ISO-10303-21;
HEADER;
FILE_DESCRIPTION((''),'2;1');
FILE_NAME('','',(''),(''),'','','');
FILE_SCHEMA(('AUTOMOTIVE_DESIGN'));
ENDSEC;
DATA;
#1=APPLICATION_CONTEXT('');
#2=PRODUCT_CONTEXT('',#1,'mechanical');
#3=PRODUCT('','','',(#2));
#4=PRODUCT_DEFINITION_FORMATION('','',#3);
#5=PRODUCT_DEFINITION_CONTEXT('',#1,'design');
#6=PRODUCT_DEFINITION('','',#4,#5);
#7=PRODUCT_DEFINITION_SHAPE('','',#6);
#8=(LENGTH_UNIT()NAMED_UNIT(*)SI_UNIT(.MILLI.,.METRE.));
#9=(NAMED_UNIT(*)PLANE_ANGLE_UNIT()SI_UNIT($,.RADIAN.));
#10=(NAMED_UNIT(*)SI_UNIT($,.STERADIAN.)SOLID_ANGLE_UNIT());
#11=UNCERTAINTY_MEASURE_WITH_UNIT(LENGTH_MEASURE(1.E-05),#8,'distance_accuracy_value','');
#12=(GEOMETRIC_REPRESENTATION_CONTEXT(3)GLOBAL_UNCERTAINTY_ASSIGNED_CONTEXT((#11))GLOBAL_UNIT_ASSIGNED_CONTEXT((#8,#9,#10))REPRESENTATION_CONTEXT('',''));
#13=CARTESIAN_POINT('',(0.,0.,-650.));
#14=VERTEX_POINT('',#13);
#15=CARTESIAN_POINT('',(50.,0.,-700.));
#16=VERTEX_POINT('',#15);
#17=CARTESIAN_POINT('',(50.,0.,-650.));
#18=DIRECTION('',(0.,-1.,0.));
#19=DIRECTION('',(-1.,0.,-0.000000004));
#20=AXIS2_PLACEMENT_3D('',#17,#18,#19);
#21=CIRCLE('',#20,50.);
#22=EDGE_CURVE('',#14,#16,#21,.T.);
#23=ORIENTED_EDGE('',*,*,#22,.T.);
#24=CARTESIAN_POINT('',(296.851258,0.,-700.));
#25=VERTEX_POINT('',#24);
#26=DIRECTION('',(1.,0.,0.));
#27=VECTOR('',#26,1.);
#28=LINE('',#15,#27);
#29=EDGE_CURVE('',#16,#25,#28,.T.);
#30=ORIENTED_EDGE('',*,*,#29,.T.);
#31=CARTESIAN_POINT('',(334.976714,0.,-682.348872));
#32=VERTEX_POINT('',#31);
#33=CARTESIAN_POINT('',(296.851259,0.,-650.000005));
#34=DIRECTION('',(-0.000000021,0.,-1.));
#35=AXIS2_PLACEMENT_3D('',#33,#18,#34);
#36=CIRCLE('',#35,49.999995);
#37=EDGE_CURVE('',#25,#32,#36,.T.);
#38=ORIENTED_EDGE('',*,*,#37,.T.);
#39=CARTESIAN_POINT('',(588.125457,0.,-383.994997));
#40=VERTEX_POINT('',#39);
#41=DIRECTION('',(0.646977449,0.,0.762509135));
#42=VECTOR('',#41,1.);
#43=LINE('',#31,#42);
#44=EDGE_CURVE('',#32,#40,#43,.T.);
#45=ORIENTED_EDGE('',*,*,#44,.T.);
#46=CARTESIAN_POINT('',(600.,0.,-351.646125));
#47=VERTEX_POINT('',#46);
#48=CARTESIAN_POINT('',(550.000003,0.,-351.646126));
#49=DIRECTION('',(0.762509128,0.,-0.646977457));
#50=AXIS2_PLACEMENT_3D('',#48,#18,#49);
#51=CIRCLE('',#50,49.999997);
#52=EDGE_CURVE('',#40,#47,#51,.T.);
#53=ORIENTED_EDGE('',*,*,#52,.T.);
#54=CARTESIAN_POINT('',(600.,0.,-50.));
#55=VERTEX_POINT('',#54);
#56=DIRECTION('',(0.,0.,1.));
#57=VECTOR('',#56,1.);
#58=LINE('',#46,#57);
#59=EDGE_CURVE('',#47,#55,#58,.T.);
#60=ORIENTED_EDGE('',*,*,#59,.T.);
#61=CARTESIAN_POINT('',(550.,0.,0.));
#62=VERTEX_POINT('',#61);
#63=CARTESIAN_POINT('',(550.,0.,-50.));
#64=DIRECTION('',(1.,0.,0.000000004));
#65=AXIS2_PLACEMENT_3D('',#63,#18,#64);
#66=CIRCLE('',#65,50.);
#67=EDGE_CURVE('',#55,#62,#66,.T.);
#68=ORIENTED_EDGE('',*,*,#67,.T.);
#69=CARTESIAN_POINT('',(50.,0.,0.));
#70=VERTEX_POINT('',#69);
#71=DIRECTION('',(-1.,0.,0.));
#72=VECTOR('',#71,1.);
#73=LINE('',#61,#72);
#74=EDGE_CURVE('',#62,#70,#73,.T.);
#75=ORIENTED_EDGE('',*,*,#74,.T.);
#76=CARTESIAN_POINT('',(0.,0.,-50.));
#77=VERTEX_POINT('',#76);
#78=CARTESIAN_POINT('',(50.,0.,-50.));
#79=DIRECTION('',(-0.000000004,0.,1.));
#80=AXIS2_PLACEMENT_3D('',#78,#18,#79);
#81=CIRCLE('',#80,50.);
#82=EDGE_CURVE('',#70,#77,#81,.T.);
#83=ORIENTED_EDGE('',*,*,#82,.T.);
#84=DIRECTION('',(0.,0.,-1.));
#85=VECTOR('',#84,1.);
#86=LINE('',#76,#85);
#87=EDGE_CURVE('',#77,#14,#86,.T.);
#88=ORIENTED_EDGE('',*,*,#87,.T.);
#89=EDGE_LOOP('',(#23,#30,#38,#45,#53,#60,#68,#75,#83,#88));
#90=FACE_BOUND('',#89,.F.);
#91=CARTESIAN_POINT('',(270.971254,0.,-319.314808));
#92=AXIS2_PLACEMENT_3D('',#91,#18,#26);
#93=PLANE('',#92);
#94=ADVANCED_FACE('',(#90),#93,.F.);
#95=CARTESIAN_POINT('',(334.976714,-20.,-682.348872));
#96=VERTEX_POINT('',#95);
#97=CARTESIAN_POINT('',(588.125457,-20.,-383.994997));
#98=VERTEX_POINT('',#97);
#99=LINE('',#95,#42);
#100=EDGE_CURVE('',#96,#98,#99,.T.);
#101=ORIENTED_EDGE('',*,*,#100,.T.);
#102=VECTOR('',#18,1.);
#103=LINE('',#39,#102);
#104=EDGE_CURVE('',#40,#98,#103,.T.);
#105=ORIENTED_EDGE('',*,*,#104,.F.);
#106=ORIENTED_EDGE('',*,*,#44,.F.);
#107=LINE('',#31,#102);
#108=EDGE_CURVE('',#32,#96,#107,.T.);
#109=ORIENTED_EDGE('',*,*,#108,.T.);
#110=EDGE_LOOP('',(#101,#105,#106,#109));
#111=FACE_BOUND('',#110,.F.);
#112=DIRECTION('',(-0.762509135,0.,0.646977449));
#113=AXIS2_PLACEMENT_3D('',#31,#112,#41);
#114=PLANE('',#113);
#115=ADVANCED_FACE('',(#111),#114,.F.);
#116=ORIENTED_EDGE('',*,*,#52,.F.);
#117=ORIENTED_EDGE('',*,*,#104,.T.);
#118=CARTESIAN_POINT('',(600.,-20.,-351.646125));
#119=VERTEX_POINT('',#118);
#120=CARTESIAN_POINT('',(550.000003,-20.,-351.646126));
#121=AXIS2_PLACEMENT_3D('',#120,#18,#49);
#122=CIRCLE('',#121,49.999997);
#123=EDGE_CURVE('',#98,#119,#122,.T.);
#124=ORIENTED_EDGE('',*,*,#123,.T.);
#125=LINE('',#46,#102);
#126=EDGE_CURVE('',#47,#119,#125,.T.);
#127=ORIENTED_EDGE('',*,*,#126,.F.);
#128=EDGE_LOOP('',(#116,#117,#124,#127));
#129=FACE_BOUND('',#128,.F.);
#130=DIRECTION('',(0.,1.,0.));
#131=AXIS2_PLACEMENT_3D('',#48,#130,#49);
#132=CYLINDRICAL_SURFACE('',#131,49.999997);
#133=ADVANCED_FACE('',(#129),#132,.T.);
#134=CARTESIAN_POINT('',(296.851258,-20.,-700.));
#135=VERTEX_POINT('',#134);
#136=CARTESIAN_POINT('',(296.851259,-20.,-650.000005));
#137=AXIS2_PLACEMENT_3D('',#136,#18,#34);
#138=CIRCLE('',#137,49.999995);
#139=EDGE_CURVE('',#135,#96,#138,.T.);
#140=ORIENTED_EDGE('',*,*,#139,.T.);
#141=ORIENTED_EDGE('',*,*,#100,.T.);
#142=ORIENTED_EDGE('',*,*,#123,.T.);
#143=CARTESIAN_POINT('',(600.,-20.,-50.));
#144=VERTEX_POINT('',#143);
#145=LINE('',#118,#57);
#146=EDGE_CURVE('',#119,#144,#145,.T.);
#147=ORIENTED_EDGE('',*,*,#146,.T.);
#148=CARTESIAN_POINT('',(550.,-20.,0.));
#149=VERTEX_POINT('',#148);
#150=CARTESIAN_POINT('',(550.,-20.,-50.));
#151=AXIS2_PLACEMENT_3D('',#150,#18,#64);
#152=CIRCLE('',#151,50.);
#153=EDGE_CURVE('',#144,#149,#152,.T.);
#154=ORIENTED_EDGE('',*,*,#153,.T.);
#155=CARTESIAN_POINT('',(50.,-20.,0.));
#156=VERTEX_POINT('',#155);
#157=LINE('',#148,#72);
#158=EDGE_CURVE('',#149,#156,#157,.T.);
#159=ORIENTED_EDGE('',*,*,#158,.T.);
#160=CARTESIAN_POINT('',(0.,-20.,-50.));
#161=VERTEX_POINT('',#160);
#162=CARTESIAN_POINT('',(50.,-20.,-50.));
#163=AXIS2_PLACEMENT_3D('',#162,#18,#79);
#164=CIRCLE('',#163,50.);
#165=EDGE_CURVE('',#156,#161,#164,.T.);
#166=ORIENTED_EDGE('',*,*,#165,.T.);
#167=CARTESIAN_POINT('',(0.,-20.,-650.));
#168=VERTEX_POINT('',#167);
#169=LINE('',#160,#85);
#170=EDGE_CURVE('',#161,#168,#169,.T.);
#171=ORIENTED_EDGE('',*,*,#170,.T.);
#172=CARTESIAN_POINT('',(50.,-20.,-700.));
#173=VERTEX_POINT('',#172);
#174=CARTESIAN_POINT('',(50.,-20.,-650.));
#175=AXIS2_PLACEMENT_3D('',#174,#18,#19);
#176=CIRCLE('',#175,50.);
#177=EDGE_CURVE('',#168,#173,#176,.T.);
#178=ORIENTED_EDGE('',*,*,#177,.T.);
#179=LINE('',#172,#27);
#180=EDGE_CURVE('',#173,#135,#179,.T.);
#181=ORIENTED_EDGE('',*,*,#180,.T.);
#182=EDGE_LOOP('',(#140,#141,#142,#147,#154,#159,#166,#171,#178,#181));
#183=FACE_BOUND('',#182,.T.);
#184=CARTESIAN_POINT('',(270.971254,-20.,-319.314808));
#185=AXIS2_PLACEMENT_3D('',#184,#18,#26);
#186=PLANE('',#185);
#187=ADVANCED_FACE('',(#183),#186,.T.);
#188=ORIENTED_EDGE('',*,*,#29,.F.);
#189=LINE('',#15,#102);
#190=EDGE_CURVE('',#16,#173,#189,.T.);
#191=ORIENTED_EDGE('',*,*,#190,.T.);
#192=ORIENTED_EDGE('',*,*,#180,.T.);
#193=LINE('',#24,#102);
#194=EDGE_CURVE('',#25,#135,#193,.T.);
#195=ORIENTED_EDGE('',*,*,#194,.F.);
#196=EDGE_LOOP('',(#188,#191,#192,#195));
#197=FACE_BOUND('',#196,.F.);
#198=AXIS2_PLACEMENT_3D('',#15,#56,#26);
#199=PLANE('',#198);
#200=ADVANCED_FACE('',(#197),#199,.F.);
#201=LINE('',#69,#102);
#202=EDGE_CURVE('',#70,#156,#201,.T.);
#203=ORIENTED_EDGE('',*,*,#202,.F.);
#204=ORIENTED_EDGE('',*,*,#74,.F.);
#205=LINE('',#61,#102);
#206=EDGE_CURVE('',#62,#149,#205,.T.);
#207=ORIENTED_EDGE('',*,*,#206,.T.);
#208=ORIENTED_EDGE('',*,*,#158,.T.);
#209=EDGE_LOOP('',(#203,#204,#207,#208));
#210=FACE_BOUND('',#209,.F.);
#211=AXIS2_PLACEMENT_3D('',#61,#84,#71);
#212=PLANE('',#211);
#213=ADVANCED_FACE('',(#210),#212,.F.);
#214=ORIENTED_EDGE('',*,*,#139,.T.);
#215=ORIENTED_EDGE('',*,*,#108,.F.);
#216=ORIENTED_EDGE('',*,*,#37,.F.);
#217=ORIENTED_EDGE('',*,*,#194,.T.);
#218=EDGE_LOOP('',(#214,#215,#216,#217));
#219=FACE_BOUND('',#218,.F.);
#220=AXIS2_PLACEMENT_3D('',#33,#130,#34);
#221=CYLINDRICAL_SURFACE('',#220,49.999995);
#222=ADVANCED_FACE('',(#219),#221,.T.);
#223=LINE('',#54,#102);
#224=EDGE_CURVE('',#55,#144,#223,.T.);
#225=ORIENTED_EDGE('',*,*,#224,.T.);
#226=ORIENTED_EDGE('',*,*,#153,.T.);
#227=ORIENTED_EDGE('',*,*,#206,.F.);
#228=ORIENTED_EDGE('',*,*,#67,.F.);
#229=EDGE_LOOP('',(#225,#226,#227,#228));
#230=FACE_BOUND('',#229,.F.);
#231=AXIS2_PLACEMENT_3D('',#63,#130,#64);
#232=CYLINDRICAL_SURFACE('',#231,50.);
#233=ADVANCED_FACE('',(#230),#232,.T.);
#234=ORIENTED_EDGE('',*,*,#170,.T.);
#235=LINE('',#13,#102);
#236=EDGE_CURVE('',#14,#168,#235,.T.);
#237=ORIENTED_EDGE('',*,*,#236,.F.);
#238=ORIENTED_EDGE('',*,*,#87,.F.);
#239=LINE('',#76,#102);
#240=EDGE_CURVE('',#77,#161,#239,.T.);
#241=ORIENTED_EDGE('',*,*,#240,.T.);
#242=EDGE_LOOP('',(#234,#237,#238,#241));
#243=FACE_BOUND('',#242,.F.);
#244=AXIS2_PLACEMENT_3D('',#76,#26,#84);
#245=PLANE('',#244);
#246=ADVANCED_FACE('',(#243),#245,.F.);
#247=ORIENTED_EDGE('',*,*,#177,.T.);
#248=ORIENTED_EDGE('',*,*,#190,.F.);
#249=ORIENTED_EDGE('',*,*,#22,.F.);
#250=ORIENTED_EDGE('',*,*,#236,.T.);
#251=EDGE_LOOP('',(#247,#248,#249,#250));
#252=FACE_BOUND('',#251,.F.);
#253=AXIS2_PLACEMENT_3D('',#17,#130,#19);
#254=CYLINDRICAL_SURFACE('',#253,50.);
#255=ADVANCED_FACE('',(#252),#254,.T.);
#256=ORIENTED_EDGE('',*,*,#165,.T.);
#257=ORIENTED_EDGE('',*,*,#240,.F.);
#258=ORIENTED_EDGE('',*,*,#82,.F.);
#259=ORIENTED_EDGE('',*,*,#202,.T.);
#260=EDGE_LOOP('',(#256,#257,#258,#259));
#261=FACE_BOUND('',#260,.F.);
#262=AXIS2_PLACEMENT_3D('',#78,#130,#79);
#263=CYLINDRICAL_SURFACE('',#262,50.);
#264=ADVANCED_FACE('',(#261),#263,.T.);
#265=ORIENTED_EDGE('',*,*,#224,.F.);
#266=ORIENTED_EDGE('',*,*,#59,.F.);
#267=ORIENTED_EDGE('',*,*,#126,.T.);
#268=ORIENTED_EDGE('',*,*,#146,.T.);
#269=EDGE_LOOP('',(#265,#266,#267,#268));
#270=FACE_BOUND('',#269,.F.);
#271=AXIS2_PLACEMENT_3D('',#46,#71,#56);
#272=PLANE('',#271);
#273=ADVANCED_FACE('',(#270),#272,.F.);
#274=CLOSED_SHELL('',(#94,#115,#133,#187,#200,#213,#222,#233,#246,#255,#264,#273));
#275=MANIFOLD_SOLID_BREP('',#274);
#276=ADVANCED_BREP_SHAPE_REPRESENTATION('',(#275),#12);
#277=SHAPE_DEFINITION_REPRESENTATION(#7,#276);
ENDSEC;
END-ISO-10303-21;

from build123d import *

# Parameters (mm, degrees)
F1_DEPTH = 20


with BuildPart() as f1:
    # F0 (on Front) → F1 (new body)
    with BuildSketch(Plane.XZ):
        with BuildLine():
            Line((550, 0), (50, 0))
            ThreePointArc((50, 0), (14.644661, -14.644661), (0, -50))
            Line((0, -50), (0, -650))
            ThreePointArc((0, -650), (14.644661, -685.355339), (50, -700))
            Line((50, -700), (296.851258, -700))
            ThreePointArc((296.851258, -700), (317.85788, -695.37314), (334.976714, -682.348872))
            Line((334.976714, -682.348872), (588.125457, -383.994997))
            ThreePointArc((588.125457, -383.994997), (596.93758, -368.875855), (600, -351.646125))
            Line((600, -351.646125), (600, -50))
            ThreePointArc((600, -50), (585.355339, -14.644661), (550, 0))
        make_face()
    extrude(amount=F1_DEPTH)


solid = f1.part
